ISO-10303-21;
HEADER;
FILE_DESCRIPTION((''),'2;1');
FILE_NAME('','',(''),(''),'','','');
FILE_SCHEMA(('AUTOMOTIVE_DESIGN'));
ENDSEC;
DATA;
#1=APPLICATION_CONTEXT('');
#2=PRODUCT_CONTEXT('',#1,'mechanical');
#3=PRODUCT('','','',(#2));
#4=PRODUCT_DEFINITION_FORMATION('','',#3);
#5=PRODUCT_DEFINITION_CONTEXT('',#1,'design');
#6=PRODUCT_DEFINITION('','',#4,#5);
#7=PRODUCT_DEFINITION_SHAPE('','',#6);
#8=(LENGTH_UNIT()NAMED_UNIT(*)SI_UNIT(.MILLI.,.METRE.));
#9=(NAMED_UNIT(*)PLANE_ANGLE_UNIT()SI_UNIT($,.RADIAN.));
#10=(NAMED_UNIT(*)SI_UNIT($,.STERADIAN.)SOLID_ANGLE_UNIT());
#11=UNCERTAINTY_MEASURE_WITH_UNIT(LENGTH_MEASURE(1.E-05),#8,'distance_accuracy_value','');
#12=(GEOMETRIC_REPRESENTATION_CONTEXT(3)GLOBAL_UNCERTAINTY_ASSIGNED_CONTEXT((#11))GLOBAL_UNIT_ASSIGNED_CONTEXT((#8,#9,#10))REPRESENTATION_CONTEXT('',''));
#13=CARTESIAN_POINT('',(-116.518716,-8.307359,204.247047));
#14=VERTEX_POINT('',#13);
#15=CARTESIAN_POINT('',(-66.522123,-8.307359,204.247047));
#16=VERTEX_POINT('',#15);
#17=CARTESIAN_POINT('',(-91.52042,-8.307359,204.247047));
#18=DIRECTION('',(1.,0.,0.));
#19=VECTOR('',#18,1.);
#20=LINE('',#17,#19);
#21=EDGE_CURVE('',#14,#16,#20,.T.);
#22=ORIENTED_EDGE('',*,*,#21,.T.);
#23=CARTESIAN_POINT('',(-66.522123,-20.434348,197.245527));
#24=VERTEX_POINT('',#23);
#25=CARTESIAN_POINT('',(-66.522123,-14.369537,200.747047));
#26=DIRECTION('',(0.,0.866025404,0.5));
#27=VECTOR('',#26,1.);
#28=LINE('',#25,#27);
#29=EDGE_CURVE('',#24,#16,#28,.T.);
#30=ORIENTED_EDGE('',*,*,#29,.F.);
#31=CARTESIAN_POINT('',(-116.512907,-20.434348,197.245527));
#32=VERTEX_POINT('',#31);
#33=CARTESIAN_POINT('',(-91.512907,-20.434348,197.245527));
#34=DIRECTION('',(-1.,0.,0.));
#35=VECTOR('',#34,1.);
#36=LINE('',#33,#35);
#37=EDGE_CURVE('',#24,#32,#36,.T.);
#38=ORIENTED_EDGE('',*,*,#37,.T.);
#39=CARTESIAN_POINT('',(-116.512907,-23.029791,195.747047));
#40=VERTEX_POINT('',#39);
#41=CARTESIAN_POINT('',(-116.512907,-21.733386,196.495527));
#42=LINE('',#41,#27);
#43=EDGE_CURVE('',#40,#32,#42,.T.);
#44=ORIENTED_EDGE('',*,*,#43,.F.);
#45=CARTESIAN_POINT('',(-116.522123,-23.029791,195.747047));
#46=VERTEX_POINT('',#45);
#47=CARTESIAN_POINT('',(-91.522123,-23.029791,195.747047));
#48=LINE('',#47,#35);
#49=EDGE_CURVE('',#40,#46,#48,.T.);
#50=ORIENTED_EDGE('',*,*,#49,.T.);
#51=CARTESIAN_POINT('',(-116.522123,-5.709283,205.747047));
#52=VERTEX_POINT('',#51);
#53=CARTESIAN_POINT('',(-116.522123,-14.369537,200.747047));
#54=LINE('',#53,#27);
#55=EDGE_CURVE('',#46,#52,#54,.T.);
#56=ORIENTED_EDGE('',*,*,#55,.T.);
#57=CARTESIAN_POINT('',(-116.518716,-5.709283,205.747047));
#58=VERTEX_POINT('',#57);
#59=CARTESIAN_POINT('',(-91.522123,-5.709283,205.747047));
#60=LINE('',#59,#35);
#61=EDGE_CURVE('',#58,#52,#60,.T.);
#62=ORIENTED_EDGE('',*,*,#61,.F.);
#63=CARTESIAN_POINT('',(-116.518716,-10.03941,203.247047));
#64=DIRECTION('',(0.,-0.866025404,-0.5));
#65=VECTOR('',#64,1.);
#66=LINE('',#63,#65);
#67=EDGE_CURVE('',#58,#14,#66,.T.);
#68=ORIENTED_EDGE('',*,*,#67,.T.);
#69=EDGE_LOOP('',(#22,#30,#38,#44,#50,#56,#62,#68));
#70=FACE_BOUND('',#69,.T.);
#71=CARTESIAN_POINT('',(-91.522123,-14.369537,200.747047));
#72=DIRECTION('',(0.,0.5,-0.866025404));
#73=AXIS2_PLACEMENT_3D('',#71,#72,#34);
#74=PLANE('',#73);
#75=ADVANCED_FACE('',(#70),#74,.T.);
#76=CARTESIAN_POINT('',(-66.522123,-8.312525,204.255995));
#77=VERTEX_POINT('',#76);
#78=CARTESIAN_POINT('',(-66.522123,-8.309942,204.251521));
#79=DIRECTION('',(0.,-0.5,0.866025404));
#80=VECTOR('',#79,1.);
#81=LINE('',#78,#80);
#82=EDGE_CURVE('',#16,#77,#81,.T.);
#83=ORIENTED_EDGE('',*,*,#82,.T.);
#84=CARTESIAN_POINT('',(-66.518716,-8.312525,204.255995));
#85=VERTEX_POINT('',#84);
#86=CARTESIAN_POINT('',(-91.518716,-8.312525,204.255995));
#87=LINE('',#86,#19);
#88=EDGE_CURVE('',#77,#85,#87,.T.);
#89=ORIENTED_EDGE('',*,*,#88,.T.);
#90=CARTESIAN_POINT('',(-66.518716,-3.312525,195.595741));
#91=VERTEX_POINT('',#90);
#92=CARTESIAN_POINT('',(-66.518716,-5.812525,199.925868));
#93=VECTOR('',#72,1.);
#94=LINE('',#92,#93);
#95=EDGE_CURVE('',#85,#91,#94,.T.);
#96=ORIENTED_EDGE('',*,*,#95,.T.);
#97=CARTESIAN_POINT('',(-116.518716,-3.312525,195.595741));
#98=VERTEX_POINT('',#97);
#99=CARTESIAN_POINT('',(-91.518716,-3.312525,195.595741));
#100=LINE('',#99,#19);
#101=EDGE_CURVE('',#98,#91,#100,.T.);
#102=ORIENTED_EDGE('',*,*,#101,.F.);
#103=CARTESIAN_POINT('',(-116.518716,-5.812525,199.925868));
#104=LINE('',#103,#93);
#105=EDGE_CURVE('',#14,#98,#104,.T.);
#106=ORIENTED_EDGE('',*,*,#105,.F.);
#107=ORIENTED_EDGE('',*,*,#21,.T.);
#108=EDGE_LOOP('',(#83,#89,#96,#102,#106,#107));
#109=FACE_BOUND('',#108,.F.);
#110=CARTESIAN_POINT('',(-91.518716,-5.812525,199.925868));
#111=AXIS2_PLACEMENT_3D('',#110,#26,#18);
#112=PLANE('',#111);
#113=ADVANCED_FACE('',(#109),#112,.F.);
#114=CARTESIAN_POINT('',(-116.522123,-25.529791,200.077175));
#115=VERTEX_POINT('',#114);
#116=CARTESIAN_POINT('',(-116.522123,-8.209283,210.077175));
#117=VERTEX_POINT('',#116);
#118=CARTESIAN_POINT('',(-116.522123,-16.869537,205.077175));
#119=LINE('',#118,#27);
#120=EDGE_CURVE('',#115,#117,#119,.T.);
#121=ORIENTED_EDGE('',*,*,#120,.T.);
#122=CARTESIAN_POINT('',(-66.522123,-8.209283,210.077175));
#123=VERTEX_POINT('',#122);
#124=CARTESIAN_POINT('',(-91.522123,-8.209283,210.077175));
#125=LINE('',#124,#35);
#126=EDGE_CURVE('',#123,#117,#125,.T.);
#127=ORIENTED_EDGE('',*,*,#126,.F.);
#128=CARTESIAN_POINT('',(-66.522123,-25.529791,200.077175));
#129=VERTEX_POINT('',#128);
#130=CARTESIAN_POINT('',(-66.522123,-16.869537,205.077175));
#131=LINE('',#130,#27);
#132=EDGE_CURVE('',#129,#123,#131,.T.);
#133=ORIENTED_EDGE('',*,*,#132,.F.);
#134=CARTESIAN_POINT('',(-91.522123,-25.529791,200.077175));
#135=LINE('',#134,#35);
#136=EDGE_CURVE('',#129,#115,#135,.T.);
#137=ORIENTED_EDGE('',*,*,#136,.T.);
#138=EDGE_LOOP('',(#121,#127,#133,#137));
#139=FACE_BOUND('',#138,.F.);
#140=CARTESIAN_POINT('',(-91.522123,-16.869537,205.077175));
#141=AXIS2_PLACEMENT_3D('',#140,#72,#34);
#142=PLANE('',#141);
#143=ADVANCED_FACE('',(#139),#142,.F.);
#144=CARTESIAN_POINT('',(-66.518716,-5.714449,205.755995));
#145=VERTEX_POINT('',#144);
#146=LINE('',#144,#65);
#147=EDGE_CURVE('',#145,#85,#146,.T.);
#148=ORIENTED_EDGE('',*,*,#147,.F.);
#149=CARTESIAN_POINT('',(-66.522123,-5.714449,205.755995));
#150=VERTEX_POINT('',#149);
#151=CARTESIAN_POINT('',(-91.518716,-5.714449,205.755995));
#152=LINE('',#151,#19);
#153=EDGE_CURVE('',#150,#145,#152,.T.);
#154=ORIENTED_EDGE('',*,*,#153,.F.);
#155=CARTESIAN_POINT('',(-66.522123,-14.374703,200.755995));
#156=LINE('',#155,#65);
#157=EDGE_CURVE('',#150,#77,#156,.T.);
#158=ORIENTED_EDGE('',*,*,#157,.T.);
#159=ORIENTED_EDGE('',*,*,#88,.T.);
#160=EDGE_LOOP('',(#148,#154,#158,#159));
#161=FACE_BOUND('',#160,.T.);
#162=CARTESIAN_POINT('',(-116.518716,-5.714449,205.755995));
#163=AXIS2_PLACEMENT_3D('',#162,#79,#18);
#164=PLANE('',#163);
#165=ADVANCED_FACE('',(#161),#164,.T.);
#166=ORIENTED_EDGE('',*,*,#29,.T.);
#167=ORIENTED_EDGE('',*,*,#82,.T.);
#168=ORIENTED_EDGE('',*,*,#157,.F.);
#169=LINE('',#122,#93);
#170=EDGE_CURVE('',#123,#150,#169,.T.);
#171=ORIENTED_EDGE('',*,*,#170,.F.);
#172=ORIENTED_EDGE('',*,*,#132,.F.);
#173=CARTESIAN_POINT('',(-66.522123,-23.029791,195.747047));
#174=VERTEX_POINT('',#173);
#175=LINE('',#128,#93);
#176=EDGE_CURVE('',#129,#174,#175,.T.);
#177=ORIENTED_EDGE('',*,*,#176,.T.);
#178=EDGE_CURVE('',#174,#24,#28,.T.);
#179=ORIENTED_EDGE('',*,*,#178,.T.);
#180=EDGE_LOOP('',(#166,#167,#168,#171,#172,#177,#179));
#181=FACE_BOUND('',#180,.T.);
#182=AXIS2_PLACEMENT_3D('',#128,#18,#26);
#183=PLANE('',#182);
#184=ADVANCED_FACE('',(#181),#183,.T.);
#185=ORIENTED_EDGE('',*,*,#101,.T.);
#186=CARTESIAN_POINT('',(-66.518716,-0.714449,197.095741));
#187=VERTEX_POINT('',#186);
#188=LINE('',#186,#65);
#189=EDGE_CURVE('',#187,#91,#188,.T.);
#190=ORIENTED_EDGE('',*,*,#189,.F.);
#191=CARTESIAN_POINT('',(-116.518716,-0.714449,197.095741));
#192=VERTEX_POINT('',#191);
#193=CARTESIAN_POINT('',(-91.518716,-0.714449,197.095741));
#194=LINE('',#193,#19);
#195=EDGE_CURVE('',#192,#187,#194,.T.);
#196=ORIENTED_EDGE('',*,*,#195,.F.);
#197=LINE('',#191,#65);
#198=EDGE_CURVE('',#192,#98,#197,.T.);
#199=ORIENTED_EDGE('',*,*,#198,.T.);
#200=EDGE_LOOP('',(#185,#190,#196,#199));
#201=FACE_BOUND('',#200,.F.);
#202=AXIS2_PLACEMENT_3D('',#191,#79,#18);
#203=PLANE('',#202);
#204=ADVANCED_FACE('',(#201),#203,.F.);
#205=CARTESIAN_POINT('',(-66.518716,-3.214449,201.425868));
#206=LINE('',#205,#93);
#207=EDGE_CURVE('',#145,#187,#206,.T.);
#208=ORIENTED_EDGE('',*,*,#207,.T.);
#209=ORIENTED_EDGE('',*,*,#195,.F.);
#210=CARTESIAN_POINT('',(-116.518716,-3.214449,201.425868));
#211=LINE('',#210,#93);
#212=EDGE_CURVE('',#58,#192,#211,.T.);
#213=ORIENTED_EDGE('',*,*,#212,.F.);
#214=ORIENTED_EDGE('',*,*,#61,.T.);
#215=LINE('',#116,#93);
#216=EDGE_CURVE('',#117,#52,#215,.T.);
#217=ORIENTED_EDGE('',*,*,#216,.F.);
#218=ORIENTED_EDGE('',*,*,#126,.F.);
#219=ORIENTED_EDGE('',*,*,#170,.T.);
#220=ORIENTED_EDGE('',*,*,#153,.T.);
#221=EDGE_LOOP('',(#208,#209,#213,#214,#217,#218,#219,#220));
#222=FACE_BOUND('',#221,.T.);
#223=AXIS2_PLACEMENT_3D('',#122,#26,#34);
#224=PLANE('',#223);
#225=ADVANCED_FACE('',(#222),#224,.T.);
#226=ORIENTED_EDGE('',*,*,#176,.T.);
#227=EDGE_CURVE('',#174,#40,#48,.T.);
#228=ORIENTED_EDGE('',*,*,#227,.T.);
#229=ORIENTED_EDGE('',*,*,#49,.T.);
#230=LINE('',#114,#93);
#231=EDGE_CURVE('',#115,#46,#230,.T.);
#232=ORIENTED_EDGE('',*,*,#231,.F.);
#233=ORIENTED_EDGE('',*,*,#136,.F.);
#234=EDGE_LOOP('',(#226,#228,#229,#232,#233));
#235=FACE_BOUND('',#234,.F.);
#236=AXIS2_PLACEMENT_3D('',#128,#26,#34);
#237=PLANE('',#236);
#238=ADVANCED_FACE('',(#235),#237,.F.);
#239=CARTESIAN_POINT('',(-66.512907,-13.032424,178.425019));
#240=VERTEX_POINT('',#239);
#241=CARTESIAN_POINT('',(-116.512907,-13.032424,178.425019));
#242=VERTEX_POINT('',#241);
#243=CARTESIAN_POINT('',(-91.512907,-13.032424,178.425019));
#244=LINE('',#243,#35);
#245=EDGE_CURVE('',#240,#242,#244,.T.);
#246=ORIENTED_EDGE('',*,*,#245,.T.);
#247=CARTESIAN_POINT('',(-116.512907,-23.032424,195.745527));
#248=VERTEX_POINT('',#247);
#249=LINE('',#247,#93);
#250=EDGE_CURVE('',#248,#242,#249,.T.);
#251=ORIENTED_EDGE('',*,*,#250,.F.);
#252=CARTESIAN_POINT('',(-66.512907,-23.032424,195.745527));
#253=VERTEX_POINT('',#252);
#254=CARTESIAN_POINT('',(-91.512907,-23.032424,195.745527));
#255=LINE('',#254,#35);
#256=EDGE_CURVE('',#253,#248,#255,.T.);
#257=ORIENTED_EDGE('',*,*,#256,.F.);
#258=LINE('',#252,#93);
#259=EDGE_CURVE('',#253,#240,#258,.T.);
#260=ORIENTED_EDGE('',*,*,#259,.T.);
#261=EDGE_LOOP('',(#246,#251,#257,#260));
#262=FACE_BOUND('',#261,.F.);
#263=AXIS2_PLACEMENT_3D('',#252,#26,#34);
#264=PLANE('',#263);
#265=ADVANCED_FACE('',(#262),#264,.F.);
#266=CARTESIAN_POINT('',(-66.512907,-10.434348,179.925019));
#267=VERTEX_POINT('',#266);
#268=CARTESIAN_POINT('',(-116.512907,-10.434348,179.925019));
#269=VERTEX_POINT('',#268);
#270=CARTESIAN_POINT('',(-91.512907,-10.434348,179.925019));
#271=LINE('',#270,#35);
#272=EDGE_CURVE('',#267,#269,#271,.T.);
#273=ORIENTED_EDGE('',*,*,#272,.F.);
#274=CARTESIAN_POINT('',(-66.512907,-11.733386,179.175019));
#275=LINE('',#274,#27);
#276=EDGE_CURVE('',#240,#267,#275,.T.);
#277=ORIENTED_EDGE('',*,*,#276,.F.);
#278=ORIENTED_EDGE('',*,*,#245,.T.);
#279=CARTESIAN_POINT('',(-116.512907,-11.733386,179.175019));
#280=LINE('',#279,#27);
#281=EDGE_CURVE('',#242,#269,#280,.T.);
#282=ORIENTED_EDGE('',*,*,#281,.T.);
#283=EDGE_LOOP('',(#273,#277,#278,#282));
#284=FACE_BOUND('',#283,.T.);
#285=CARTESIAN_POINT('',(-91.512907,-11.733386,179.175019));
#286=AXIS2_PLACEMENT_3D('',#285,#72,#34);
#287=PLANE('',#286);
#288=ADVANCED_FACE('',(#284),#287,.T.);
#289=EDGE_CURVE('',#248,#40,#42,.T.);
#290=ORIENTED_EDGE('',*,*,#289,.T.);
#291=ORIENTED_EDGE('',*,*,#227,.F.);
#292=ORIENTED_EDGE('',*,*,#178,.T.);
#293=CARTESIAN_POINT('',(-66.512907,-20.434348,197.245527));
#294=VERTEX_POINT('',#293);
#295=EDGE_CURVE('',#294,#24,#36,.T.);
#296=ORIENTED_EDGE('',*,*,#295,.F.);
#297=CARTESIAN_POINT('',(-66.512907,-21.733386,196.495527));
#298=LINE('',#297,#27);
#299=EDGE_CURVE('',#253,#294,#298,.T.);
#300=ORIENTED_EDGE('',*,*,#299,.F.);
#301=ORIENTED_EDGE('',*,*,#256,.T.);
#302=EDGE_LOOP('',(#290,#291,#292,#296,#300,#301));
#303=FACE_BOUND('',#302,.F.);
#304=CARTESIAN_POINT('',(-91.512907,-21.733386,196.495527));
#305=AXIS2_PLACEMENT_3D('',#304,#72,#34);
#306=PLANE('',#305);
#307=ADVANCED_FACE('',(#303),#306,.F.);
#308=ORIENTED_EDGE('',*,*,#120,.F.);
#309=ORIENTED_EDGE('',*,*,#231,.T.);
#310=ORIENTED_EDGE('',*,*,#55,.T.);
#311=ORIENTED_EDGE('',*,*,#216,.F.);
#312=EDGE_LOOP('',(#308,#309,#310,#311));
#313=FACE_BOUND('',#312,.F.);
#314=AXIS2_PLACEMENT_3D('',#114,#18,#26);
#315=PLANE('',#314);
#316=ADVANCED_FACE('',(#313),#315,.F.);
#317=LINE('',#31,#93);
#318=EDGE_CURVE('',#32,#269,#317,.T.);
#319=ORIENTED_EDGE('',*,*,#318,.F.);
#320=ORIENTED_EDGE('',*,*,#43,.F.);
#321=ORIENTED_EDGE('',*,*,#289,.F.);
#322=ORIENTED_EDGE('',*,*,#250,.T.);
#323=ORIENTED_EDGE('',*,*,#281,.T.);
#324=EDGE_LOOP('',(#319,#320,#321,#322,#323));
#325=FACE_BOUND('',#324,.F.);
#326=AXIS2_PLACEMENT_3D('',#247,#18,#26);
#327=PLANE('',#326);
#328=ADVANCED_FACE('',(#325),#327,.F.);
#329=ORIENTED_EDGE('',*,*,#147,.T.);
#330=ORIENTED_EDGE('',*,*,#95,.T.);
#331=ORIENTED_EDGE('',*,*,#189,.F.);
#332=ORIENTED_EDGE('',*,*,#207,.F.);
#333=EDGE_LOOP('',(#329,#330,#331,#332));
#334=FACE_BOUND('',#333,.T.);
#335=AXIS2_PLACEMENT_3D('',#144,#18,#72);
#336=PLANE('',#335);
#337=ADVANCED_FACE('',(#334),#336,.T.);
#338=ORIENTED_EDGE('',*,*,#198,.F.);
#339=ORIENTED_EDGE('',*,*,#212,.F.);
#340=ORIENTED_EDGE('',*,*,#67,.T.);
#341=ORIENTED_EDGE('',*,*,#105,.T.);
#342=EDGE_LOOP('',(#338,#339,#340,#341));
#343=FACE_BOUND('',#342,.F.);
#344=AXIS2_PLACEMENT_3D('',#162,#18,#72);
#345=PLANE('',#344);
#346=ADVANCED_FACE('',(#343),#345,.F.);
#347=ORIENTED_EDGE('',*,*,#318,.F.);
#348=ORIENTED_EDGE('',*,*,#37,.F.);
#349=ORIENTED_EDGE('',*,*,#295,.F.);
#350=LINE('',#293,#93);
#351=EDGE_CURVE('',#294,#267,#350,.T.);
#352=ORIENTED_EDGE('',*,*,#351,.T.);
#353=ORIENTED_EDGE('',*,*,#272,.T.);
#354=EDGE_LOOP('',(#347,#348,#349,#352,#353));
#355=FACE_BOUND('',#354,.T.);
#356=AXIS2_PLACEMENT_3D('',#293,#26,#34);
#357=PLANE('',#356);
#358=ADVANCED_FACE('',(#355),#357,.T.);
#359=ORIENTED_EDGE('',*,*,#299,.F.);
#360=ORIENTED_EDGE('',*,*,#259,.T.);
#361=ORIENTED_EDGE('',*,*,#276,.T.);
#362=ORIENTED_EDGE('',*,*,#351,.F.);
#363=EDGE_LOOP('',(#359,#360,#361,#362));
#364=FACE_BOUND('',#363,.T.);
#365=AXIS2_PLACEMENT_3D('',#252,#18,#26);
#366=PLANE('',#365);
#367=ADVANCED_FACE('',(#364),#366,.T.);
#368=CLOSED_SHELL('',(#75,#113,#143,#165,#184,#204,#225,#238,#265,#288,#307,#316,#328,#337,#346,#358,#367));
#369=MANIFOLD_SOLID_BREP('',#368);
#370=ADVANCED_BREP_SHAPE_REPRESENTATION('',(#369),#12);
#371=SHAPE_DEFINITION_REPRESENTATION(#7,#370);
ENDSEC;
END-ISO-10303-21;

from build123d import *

# Parameters (mm, degrees)
SKETCH060_W             = 50
SKETCH060_H             = 20
PAD059_DEPTH            = 5
SKETCH061_W             = 50
SKETCH061_H             = 3
PAD060_DEPTH            = 20
SKETCH062_W             = 50
SKETCH062_H             = 10
PAD061_DEPTH            = 3
BODY044_ROLL_ANGLE      = 150
BODY044_PLACEMENT_ANGLE = 180


with BuildPart() as part:
    # Sketch060 → Pad059 (new body)
    with BuildSketch(Plane.XY):
        with Locations((184.845276, -123.914059)):
            Rectangle(SKETCH060_W, SKETCH060_H)
    extrude(amount=PAD059_DEPTH)

    # Sketch061 (on Face6 of Pad059) → Pad060 (join)
    with BuildSketch(Plane.XY.offset(5)):
        with Locations((184.83606, -132.417099)):
            Rectangle(SKETCH061_W, SKETCH061_H)
    extrude(amount=PAD060_DEPTH)

    # Sketch062 (on Face7 of Pad060) → Pad061 (join)
    with BuildSketch(Plane(origin=(0, -113.914059, 0), x_dir=(-1, 0, 0), z_dir=(0, 1, 0))):
        with Locations((-184.841869, 9.989668)):
            Rectangle(SKETCH062_W, SKETCH062_H)
    extrude(amount=-PAD061_DEPTH)


with BuildPart() as part_1:
    # Body044 roll: moved
    add(part.part.rotate(Axis((0, 0, 0), (1, 0, 0)), BODY044_ROLL_ANGLE))


with BuildPart() as part_2:
    # Body044 placement: moved
    add(part_1.part.moved(Location((93.323153, 90.443186, 267.034204))).rotate(Axis((93.323153, 90.443186, 267.034204), (0, 0, 1)), BODY044_PLACEMENT_ANGLE))


solid = part_2.part
